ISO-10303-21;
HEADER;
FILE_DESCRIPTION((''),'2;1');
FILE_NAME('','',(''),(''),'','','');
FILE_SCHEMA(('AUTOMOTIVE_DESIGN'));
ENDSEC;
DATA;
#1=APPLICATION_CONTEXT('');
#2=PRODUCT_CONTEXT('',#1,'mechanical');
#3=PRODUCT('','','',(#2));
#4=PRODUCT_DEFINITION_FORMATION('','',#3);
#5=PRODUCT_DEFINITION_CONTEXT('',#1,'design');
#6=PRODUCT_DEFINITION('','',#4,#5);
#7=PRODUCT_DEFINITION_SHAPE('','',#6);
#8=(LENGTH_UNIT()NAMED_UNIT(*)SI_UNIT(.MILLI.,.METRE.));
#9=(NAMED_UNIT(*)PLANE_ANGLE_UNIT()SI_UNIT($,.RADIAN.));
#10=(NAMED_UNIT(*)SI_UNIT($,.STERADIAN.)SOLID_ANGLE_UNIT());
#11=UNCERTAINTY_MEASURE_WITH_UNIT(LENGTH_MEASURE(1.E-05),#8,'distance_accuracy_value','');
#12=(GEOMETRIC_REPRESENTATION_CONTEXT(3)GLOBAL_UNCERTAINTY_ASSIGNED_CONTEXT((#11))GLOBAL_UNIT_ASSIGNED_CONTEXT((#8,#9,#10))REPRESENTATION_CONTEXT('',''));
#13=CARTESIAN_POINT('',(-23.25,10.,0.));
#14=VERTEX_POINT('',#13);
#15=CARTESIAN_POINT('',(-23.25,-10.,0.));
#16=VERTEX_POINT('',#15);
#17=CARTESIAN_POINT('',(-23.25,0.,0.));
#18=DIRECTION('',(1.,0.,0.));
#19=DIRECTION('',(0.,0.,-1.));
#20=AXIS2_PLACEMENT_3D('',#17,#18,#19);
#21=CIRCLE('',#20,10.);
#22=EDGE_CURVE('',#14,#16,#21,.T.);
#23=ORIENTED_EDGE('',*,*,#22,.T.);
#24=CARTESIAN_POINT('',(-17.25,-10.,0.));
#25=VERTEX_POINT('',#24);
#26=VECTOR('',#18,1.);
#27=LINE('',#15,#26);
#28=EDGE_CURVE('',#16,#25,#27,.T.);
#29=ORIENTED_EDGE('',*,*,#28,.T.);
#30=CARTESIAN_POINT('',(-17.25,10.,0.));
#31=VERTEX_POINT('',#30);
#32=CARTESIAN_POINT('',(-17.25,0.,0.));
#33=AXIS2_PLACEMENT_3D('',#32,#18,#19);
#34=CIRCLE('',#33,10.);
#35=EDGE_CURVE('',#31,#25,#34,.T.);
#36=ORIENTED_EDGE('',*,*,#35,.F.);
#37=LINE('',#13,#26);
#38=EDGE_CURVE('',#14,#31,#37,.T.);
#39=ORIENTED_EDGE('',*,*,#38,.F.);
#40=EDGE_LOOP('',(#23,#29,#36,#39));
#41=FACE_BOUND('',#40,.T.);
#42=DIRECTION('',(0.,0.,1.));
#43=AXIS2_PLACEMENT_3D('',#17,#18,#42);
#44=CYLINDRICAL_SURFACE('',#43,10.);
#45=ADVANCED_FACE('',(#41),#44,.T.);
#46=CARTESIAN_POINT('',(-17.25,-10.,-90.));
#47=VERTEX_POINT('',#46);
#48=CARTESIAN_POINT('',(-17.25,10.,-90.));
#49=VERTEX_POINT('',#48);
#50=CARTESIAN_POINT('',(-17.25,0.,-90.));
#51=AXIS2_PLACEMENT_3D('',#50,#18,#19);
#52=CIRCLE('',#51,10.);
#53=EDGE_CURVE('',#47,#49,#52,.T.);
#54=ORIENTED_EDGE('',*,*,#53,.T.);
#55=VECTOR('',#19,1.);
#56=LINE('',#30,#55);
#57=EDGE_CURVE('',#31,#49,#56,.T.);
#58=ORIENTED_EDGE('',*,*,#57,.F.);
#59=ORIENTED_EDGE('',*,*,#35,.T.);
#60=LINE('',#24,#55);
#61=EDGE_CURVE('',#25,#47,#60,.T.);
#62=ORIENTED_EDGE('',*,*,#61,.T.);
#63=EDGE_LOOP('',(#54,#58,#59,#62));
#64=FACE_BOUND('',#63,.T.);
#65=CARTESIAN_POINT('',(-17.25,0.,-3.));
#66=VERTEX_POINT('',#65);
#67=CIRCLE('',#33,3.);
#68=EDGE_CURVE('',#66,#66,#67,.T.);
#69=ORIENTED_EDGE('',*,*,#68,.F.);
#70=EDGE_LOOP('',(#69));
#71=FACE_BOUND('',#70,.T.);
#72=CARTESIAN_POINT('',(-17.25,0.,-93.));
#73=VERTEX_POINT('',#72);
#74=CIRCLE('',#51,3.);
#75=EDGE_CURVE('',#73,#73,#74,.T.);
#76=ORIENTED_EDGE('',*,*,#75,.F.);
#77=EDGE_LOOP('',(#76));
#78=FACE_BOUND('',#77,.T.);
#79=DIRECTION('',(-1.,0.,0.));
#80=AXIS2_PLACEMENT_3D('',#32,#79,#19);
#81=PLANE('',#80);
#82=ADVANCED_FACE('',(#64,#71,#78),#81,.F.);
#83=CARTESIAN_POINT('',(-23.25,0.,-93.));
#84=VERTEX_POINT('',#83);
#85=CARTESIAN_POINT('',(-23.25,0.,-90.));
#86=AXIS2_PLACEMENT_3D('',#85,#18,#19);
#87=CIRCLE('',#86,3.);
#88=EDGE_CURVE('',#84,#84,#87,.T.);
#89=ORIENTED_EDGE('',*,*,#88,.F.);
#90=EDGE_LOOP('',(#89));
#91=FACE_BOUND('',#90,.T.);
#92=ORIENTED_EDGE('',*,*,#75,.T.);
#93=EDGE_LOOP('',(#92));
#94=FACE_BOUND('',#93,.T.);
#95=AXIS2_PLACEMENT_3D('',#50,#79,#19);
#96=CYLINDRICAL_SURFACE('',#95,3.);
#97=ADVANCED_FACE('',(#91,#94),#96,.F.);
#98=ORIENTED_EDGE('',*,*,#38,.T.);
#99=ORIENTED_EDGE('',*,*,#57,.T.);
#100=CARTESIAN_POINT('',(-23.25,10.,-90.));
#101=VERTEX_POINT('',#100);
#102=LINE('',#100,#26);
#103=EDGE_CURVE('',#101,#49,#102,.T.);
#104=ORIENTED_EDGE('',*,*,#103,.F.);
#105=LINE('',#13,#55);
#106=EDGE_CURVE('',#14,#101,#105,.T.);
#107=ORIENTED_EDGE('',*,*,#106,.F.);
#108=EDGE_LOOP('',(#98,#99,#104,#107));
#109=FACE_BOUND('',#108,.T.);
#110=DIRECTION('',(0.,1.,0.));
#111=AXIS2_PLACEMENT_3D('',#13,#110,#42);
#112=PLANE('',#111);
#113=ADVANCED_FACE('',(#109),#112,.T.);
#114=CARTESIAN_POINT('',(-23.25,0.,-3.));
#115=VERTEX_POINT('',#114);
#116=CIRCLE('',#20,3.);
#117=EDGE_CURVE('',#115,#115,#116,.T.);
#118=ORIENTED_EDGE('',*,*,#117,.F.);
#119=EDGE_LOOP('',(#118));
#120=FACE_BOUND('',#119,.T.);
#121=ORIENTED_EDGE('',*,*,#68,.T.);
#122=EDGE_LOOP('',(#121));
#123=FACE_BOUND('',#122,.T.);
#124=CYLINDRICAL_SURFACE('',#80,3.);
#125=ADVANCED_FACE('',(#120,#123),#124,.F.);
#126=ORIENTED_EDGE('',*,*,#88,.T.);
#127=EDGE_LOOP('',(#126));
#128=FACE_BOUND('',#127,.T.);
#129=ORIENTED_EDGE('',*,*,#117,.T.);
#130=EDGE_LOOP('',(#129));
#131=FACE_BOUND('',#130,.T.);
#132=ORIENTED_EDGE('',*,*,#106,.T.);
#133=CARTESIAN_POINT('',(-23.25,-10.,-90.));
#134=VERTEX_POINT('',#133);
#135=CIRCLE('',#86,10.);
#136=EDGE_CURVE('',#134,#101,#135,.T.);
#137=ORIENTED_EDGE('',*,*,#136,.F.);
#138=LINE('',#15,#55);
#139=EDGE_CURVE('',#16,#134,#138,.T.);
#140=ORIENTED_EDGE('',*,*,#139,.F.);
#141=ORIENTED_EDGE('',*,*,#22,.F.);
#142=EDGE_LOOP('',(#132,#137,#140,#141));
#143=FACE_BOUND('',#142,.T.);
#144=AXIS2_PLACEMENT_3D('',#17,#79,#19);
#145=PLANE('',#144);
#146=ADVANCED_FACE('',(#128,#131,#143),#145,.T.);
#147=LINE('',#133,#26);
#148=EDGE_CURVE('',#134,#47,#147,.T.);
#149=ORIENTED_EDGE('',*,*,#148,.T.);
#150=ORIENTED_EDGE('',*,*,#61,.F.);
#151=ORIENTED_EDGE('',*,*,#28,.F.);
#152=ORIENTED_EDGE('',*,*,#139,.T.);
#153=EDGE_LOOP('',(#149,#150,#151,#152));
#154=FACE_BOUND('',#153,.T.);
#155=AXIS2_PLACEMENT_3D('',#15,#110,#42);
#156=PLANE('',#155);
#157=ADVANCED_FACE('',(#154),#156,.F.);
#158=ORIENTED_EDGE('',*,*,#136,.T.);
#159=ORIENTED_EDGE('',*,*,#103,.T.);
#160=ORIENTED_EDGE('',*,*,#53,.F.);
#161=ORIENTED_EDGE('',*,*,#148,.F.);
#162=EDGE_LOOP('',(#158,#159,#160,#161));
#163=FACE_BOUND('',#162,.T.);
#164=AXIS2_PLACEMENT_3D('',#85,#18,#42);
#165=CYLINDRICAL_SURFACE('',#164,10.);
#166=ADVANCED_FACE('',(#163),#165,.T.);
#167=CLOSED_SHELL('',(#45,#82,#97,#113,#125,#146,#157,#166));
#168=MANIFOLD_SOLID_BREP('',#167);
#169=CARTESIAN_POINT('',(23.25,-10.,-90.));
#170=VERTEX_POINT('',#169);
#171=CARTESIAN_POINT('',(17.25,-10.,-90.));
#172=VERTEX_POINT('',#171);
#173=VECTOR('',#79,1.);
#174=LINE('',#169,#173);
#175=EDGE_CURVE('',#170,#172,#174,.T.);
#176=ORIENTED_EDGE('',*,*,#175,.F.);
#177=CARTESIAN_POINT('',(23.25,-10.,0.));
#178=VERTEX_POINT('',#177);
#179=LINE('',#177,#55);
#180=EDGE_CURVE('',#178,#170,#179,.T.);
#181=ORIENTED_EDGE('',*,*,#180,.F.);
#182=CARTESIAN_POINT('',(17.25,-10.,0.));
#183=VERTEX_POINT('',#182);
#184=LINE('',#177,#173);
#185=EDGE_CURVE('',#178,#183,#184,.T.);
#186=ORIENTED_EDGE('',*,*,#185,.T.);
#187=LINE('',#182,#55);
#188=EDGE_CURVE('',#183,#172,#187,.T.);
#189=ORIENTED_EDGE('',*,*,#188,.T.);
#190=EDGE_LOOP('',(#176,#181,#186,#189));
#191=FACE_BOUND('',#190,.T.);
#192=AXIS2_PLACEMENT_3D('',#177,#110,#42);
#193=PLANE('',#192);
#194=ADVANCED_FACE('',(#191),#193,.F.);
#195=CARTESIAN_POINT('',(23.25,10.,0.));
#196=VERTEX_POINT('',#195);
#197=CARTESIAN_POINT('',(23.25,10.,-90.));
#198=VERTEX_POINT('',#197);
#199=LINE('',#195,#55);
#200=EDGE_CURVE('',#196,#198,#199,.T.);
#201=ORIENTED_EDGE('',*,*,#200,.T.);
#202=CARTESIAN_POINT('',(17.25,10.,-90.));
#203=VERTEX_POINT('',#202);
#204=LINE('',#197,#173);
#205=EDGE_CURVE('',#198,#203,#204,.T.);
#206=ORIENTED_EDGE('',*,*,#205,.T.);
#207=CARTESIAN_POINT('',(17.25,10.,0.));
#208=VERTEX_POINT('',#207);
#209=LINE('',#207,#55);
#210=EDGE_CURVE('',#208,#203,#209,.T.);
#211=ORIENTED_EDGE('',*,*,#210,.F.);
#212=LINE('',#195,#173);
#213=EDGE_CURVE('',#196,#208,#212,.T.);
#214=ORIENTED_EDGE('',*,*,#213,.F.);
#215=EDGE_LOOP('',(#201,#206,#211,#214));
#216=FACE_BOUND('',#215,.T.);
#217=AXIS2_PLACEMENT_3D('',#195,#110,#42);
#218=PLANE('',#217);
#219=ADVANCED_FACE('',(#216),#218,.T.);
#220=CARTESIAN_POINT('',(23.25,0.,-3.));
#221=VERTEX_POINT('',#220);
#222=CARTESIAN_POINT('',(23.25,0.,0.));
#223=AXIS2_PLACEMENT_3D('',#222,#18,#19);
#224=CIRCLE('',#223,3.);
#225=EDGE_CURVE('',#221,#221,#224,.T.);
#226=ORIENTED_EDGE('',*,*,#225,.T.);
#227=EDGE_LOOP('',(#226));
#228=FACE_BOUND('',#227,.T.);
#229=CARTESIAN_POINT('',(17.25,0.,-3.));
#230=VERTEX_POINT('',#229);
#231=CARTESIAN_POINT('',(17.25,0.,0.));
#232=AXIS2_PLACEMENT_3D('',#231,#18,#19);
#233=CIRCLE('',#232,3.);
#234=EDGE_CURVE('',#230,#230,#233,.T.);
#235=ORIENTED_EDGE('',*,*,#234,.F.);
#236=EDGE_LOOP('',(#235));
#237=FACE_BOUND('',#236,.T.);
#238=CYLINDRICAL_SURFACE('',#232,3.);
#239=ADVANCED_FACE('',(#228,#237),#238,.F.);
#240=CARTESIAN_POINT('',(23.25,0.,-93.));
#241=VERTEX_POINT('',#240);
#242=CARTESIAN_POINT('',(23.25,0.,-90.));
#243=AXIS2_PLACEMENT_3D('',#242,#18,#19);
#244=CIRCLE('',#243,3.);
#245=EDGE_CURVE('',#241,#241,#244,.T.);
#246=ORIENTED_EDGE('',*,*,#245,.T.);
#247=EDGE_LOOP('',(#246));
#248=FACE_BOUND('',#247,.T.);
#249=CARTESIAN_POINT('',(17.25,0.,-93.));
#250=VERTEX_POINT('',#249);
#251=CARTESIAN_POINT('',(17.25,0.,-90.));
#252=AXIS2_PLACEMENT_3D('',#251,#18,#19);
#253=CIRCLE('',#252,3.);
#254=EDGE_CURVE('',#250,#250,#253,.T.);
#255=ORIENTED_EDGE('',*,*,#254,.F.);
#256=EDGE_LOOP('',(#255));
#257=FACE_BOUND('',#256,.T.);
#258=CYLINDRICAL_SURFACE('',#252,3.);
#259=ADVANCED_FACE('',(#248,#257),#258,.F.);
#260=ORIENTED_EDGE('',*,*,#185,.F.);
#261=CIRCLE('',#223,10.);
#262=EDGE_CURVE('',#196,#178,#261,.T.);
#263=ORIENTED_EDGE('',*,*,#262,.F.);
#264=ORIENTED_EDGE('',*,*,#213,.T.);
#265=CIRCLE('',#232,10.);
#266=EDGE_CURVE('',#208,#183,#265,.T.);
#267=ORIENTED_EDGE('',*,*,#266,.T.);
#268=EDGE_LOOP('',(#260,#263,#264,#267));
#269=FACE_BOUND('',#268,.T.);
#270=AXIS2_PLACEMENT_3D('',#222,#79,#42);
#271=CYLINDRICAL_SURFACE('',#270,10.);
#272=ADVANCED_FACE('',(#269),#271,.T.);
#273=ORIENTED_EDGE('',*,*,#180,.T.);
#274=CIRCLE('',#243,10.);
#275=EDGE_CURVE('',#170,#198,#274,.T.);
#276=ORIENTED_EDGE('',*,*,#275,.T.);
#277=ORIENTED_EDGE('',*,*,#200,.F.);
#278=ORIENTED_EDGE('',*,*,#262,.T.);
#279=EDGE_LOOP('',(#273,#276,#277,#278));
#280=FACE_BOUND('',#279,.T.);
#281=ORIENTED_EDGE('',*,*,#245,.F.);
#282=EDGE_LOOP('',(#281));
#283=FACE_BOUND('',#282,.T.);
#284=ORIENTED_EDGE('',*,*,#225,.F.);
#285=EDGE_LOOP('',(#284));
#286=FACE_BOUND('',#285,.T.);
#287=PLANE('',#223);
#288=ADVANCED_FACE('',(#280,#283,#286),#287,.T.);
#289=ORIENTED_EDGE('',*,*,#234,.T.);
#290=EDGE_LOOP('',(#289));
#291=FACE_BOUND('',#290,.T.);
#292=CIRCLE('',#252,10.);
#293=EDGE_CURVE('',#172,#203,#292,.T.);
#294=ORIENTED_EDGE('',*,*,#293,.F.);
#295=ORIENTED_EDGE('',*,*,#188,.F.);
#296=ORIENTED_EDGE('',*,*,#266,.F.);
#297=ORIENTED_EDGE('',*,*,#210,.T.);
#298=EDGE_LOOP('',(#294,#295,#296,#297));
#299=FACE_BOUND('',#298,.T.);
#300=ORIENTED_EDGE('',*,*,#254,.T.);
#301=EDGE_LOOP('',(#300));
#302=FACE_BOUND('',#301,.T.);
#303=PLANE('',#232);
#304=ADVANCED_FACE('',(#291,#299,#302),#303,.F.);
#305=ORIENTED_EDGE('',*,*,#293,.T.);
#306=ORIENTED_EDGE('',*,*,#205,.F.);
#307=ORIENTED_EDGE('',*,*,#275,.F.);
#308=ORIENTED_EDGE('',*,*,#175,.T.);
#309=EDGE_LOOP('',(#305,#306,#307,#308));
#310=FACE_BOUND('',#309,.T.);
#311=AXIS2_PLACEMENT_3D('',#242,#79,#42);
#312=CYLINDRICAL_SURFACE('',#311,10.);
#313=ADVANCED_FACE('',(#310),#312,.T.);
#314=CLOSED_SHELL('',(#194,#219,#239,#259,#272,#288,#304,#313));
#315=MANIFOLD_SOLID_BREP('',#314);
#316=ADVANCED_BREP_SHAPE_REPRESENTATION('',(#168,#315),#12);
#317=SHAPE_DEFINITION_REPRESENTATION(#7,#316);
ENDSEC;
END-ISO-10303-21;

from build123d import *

# Parameters (mm, degrees)
BOSS_EXTRUDE1_DEPTH     = 6
SKETCH2_R               = 3
CUT_EXTRUDE1_DEPTH      = 1
CUT_EXTRUDE1_DEPTH_BACK = 7


with BuildPart() as part:
    # Sketch1 → Boss-Extrude1 (new body)
    with BuildSketch(Plane(origin=(17.25, 0, 0), x_dir=(0, 0, -1), z_dir=(1, 0, 0))):
        with BuildLine():
            Line((0, 10), (90, 10))
            ThreePointArc((90, 10), (100, 0), (90, -10))
            Line((90, -10), (0, -10))
            ThreePointArc((0, -10), (-10, 0), (0, 10))
        make_face()
    extrude(amount=BOSS_EXTRUDE1_DEPTH)

    # Sketch2 → Cut-Extrude1 (cut, two sides)
    with BuildSketch(Plane(origin=(23.25, 0, 0), x_dir=(0, 0, -1), z_dir=(1, 0, 0))) as cut_extrude1_sk:
        Circle(SKETCH2_R)
        with Locations((90, 0)):
            Circle(SKETCH2_R)
    extrude(amount=CUT_EXTRUDE1_DEPTH, mode=Mode.SUBTRACT)
    extrude(cut_extrude1_sk.sketch, amount=-CUT_EXTRUDE1_DEPTH_BACK, mode=Mode.SUBTRACT)


with BuildPart() as body_2:
    # Mirror4: mirrored copy
    add(part.part.mirror(Plane(origin=(0, 0, 0), x_dir=(0, 0, 1), z_dir=(1, 0, 0))))


solid = Compound([part.part, body_2.part])
